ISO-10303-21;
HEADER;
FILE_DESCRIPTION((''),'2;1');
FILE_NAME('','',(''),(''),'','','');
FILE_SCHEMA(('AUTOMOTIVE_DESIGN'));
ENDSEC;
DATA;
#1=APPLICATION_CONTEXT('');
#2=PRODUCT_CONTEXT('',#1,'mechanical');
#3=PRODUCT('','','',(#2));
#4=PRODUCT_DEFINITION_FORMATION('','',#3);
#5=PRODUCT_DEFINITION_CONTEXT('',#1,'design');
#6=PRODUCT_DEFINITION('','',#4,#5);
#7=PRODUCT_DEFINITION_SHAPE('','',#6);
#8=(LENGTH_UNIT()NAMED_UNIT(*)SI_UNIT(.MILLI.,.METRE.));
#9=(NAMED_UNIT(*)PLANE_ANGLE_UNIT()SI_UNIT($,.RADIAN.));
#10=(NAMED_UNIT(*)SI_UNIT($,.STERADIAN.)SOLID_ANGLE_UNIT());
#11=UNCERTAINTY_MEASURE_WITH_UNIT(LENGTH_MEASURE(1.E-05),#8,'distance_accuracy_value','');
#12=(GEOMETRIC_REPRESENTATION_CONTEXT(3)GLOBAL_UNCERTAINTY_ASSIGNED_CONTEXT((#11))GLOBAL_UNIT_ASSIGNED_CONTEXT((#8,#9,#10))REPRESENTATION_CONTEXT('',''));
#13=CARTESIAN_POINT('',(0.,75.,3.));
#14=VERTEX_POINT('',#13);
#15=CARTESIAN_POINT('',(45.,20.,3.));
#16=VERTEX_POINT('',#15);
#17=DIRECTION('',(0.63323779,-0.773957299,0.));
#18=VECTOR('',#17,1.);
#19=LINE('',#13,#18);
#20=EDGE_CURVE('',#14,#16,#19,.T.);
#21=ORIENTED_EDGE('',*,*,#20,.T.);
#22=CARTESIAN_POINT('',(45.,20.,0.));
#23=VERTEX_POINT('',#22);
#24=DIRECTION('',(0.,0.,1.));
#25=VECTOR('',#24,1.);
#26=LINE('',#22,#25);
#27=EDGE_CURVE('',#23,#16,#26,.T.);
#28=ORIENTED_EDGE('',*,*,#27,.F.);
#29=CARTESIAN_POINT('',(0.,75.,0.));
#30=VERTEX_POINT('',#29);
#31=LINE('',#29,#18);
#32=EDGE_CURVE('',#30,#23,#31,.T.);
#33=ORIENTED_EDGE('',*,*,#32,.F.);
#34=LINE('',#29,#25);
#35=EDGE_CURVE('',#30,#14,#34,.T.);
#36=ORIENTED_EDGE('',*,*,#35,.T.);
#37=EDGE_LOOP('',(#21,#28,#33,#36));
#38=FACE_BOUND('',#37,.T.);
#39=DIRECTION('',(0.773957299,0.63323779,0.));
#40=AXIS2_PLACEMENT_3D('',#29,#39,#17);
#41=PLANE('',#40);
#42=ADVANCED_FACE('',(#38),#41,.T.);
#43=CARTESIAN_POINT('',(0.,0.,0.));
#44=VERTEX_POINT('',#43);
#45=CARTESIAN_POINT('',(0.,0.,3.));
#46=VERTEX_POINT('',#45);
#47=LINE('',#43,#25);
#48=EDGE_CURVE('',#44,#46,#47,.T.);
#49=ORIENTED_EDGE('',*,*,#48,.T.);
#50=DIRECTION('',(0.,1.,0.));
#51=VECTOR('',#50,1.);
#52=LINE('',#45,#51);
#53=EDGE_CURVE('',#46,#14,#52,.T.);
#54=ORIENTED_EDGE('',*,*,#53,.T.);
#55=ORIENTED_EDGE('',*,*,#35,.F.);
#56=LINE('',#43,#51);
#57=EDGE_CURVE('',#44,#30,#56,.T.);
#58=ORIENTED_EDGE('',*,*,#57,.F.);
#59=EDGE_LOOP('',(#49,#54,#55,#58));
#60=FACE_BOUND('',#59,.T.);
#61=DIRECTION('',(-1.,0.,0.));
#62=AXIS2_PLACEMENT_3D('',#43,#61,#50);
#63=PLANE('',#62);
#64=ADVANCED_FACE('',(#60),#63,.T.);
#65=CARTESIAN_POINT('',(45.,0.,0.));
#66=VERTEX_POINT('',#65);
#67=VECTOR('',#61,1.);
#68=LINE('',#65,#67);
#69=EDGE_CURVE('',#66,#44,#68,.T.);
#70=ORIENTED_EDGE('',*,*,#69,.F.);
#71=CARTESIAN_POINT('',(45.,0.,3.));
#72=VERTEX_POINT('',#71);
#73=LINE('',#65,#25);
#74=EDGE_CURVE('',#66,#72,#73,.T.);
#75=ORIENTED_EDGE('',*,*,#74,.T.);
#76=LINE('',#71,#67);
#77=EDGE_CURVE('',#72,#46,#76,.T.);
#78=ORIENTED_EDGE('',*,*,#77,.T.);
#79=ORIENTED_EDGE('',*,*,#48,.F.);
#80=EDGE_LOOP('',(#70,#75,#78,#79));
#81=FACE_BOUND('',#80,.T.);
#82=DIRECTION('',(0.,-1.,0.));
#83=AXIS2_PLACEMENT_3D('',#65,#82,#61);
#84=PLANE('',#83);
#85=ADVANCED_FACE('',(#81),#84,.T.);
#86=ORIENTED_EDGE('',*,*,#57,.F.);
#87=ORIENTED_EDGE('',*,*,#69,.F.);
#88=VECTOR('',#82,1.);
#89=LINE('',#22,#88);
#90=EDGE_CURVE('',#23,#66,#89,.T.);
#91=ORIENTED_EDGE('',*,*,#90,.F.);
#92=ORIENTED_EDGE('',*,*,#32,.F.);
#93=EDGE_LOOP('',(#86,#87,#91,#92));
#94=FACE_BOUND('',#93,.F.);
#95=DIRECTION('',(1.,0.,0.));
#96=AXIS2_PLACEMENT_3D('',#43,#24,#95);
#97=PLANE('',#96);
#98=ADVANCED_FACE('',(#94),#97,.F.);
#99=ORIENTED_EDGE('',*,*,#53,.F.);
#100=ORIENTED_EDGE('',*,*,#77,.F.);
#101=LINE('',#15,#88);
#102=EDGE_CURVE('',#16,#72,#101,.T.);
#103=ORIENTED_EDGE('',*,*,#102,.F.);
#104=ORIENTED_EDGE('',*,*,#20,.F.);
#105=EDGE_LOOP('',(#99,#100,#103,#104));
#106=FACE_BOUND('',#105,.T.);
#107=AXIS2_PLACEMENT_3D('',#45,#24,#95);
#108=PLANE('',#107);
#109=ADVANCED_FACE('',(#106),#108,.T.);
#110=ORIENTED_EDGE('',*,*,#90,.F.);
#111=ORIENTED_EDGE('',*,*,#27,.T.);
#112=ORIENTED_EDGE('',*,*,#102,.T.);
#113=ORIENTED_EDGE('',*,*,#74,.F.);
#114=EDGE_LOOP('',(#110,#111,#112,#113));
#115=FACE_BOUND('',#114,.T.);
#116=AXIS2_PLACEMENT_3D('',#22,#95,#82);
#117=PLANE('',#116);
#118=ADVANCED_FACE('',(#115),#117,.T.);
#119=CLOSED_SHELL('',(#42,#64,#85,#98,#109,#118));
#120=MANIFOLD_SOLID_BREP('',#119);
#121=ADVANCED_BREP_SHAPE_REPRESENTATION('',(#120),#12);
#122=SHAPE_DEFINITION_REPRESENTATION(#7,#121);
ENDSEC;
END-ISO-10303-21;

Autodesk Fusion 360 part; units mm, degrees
sketch "Skizze1" plane through (0, 0, 0) normal (0, 0, 1) x (1, 0, 0)
  line L0 (0, 0) -> (0, 75)
  line L1 (0, 75) -> (45, 20)
  line L2 (45, 20) -> (45, 0)
  line L3 (45, 0) -> (0, 0)
  dimension "d1" = 75
extrude "Extrusion1" add sketch "Skizze1" along normal blind 3
